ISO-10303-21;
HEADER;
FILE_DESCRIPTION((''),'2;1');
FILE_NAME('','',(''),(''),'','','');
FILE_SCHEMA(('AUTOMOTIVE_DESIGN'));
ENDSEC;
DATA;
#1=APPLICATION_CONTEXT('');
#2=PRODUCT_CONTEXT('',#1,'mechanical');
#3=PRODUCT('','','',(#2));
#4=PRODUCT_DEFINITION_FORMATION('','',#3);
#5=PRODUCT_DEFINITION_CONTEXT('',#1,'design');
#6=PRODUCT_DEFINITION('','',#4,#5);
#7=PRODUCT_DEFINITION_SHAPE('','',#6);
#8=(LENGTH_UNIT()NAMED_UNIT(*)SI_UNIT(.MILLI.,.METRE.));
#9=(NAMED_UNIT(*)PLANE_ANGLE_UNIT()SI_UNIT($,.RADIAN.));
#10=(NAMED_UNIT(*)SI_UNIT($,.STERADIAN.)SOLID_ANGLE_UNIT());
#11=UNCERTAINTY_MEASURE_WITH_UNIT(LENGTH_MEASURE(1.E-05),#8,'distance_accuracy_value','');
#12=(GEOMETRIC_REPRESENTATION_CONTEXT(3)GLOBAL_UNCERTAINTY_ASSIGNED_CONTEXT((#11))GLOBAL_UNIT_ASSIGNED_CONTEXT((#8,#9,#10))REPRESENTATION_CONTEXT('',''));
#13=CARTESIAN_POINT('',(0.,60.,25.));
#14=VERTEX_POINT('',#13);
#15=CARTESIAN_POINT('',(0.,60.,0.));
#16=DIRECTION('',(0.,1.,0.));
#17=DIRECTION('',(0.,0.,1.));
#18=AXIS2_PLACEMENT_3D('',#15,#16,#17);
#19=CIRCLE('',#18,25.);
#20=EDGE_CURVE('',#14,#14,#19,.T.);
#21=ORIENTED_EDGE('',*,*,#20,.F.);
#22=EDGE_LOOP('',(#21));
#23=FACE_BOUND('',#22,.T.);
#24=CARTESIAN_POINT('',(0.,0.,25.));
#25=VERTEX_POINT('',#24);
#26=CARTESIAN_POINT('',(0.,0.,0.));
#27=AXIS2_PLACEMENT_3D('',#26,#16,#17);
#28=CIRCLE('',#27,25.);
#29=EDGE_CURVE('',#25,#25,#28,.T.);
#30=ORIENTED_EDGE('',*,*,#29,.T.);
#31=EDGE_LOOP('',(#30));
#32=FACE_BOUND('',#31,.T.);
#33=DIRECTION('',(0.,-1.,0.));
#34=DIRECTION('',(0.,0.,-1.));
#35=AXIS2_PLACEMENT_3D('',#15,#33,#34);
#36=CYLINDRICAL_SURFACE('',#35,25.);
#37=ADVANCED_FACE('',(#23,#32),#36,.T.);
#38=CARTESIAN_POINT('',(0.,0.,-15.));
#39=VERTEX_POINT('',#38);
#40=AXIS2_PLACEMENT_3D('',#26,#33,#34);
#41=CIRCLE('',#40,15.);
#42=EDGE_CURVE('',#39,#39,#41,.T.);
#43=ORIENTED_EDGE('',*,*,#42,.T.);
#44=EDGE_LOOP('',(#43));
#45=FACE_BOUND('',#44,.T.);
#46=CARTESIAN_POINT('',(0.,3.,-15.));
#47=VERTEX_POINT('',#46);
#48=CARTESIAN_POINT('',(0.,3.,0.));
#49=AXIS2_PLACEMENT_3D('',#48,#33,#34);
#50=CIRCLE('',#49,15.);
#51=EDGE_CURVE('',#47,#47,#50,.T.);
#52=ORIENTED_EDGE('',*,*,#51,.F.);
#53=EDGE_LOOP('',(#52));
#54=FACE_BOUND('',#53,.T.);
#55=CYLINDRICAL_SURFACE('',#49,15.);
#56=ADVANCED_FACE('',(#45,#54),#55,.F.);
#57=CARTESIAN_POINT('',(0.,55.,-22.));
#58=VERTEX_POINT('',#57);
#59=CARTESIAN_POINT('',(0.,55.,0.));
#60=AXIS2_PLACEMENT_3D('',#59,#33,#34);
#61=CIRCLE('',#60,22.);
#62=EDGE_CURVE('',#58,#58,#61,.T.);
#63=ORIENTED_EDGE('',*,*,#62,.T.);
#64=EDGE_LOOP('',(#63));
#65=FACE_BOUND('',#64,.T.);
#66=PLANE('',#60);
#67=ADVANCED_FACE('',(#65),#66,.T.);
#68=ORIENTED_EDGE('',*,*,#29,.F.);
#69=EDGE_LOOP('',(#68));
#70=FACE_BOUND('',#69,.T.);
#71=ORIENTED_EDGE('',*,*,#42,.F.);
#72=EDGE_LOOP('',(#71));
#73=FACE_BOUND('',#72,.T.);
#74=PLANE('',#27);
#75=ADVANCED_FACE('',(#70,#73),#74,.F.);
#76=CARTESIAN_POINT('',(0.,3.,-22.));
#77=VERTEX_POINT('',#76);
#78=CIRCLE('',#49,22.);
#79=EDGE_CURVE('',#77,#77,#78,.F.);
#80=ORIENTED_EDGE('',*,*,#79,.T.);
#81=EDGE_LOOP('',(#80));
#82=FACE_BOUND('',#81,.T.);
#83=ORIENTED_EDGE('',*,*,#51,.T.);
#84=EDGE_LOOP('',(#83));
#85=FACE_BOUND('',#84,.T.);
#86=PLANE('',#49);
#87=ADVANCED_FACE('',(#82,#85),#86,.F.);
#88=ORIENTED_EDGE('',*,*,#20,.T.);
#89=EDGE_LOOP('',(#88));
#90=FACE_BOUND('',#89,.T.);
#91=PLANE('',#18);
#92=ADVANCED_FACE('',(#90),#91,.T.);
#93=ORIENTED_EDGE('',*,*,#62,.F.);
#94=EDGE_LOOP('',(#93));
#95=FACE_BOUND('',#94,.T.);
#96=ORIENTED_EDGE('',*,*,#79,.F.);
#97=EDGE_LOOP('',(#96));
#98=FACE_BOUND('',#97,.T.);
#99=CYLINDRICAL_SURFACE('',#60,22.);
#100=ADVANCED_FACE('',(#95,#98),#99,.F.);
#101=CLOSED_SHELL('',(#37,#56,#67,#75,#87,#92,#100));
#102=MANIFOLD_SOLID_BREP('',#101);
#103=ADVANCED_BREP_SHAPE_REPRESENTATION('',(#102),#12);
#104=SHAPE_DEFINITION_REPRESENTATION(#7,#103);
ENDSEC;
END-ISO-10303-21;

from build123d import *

# Parameters (mm, degrees)
SKETCH_1_R          = 25
EXTRUDE_1_DEPTH     = 60
SKETCH_2_R          = 22
CUT_EXTRUDE_1_DEPTH = 55
SKETCH_3_R          = 22
SKETCH_3_R_2        = 15
EXTRUDE_2_DEPTH     = 3


with BuildPart() as part:
    # 草图1 → 凸台-拉伸1 (new body)
    with BuildSketch(Plane(origin=(0, 0, 0), x_dir=(1, 0, 0), z_dir=(0, 1, 0))):
        with Locations(Location((0, 0, 0), (0, 0, 270))):
            Circle(SKETCH_1_R)
    extrude(amount=EXTRUDE_1_DEPTH)

    # 草图2 → 切除-拉伸1 (cut)
    with BuildSketch(Plane.XZ):
        with Locations(Location((0, 0, 0), (0, 0, 270))):
            Circle(SKETCH_2_R)
    extrude(amount=-CUT_EXTRUDE_1_DEPTH, mode=Mode.SUBTRACT)

    # 草图3 → 凸台-拉伸2 (add)
    with BuildSketch(Plane.XZ):
        with Locations(Location((0, 0, 0), (0, 0, 270))):
            Circle(SKETCH_3_R)
        with Locations(Location((0, 0, 0), (0, 0, 270))):
            Circle(SKETCH_3_R_2, mode=Mode.SUBTRACT)
    extrude(amount=-EXTRUDE_2_DEPTH)


solid = part.part
